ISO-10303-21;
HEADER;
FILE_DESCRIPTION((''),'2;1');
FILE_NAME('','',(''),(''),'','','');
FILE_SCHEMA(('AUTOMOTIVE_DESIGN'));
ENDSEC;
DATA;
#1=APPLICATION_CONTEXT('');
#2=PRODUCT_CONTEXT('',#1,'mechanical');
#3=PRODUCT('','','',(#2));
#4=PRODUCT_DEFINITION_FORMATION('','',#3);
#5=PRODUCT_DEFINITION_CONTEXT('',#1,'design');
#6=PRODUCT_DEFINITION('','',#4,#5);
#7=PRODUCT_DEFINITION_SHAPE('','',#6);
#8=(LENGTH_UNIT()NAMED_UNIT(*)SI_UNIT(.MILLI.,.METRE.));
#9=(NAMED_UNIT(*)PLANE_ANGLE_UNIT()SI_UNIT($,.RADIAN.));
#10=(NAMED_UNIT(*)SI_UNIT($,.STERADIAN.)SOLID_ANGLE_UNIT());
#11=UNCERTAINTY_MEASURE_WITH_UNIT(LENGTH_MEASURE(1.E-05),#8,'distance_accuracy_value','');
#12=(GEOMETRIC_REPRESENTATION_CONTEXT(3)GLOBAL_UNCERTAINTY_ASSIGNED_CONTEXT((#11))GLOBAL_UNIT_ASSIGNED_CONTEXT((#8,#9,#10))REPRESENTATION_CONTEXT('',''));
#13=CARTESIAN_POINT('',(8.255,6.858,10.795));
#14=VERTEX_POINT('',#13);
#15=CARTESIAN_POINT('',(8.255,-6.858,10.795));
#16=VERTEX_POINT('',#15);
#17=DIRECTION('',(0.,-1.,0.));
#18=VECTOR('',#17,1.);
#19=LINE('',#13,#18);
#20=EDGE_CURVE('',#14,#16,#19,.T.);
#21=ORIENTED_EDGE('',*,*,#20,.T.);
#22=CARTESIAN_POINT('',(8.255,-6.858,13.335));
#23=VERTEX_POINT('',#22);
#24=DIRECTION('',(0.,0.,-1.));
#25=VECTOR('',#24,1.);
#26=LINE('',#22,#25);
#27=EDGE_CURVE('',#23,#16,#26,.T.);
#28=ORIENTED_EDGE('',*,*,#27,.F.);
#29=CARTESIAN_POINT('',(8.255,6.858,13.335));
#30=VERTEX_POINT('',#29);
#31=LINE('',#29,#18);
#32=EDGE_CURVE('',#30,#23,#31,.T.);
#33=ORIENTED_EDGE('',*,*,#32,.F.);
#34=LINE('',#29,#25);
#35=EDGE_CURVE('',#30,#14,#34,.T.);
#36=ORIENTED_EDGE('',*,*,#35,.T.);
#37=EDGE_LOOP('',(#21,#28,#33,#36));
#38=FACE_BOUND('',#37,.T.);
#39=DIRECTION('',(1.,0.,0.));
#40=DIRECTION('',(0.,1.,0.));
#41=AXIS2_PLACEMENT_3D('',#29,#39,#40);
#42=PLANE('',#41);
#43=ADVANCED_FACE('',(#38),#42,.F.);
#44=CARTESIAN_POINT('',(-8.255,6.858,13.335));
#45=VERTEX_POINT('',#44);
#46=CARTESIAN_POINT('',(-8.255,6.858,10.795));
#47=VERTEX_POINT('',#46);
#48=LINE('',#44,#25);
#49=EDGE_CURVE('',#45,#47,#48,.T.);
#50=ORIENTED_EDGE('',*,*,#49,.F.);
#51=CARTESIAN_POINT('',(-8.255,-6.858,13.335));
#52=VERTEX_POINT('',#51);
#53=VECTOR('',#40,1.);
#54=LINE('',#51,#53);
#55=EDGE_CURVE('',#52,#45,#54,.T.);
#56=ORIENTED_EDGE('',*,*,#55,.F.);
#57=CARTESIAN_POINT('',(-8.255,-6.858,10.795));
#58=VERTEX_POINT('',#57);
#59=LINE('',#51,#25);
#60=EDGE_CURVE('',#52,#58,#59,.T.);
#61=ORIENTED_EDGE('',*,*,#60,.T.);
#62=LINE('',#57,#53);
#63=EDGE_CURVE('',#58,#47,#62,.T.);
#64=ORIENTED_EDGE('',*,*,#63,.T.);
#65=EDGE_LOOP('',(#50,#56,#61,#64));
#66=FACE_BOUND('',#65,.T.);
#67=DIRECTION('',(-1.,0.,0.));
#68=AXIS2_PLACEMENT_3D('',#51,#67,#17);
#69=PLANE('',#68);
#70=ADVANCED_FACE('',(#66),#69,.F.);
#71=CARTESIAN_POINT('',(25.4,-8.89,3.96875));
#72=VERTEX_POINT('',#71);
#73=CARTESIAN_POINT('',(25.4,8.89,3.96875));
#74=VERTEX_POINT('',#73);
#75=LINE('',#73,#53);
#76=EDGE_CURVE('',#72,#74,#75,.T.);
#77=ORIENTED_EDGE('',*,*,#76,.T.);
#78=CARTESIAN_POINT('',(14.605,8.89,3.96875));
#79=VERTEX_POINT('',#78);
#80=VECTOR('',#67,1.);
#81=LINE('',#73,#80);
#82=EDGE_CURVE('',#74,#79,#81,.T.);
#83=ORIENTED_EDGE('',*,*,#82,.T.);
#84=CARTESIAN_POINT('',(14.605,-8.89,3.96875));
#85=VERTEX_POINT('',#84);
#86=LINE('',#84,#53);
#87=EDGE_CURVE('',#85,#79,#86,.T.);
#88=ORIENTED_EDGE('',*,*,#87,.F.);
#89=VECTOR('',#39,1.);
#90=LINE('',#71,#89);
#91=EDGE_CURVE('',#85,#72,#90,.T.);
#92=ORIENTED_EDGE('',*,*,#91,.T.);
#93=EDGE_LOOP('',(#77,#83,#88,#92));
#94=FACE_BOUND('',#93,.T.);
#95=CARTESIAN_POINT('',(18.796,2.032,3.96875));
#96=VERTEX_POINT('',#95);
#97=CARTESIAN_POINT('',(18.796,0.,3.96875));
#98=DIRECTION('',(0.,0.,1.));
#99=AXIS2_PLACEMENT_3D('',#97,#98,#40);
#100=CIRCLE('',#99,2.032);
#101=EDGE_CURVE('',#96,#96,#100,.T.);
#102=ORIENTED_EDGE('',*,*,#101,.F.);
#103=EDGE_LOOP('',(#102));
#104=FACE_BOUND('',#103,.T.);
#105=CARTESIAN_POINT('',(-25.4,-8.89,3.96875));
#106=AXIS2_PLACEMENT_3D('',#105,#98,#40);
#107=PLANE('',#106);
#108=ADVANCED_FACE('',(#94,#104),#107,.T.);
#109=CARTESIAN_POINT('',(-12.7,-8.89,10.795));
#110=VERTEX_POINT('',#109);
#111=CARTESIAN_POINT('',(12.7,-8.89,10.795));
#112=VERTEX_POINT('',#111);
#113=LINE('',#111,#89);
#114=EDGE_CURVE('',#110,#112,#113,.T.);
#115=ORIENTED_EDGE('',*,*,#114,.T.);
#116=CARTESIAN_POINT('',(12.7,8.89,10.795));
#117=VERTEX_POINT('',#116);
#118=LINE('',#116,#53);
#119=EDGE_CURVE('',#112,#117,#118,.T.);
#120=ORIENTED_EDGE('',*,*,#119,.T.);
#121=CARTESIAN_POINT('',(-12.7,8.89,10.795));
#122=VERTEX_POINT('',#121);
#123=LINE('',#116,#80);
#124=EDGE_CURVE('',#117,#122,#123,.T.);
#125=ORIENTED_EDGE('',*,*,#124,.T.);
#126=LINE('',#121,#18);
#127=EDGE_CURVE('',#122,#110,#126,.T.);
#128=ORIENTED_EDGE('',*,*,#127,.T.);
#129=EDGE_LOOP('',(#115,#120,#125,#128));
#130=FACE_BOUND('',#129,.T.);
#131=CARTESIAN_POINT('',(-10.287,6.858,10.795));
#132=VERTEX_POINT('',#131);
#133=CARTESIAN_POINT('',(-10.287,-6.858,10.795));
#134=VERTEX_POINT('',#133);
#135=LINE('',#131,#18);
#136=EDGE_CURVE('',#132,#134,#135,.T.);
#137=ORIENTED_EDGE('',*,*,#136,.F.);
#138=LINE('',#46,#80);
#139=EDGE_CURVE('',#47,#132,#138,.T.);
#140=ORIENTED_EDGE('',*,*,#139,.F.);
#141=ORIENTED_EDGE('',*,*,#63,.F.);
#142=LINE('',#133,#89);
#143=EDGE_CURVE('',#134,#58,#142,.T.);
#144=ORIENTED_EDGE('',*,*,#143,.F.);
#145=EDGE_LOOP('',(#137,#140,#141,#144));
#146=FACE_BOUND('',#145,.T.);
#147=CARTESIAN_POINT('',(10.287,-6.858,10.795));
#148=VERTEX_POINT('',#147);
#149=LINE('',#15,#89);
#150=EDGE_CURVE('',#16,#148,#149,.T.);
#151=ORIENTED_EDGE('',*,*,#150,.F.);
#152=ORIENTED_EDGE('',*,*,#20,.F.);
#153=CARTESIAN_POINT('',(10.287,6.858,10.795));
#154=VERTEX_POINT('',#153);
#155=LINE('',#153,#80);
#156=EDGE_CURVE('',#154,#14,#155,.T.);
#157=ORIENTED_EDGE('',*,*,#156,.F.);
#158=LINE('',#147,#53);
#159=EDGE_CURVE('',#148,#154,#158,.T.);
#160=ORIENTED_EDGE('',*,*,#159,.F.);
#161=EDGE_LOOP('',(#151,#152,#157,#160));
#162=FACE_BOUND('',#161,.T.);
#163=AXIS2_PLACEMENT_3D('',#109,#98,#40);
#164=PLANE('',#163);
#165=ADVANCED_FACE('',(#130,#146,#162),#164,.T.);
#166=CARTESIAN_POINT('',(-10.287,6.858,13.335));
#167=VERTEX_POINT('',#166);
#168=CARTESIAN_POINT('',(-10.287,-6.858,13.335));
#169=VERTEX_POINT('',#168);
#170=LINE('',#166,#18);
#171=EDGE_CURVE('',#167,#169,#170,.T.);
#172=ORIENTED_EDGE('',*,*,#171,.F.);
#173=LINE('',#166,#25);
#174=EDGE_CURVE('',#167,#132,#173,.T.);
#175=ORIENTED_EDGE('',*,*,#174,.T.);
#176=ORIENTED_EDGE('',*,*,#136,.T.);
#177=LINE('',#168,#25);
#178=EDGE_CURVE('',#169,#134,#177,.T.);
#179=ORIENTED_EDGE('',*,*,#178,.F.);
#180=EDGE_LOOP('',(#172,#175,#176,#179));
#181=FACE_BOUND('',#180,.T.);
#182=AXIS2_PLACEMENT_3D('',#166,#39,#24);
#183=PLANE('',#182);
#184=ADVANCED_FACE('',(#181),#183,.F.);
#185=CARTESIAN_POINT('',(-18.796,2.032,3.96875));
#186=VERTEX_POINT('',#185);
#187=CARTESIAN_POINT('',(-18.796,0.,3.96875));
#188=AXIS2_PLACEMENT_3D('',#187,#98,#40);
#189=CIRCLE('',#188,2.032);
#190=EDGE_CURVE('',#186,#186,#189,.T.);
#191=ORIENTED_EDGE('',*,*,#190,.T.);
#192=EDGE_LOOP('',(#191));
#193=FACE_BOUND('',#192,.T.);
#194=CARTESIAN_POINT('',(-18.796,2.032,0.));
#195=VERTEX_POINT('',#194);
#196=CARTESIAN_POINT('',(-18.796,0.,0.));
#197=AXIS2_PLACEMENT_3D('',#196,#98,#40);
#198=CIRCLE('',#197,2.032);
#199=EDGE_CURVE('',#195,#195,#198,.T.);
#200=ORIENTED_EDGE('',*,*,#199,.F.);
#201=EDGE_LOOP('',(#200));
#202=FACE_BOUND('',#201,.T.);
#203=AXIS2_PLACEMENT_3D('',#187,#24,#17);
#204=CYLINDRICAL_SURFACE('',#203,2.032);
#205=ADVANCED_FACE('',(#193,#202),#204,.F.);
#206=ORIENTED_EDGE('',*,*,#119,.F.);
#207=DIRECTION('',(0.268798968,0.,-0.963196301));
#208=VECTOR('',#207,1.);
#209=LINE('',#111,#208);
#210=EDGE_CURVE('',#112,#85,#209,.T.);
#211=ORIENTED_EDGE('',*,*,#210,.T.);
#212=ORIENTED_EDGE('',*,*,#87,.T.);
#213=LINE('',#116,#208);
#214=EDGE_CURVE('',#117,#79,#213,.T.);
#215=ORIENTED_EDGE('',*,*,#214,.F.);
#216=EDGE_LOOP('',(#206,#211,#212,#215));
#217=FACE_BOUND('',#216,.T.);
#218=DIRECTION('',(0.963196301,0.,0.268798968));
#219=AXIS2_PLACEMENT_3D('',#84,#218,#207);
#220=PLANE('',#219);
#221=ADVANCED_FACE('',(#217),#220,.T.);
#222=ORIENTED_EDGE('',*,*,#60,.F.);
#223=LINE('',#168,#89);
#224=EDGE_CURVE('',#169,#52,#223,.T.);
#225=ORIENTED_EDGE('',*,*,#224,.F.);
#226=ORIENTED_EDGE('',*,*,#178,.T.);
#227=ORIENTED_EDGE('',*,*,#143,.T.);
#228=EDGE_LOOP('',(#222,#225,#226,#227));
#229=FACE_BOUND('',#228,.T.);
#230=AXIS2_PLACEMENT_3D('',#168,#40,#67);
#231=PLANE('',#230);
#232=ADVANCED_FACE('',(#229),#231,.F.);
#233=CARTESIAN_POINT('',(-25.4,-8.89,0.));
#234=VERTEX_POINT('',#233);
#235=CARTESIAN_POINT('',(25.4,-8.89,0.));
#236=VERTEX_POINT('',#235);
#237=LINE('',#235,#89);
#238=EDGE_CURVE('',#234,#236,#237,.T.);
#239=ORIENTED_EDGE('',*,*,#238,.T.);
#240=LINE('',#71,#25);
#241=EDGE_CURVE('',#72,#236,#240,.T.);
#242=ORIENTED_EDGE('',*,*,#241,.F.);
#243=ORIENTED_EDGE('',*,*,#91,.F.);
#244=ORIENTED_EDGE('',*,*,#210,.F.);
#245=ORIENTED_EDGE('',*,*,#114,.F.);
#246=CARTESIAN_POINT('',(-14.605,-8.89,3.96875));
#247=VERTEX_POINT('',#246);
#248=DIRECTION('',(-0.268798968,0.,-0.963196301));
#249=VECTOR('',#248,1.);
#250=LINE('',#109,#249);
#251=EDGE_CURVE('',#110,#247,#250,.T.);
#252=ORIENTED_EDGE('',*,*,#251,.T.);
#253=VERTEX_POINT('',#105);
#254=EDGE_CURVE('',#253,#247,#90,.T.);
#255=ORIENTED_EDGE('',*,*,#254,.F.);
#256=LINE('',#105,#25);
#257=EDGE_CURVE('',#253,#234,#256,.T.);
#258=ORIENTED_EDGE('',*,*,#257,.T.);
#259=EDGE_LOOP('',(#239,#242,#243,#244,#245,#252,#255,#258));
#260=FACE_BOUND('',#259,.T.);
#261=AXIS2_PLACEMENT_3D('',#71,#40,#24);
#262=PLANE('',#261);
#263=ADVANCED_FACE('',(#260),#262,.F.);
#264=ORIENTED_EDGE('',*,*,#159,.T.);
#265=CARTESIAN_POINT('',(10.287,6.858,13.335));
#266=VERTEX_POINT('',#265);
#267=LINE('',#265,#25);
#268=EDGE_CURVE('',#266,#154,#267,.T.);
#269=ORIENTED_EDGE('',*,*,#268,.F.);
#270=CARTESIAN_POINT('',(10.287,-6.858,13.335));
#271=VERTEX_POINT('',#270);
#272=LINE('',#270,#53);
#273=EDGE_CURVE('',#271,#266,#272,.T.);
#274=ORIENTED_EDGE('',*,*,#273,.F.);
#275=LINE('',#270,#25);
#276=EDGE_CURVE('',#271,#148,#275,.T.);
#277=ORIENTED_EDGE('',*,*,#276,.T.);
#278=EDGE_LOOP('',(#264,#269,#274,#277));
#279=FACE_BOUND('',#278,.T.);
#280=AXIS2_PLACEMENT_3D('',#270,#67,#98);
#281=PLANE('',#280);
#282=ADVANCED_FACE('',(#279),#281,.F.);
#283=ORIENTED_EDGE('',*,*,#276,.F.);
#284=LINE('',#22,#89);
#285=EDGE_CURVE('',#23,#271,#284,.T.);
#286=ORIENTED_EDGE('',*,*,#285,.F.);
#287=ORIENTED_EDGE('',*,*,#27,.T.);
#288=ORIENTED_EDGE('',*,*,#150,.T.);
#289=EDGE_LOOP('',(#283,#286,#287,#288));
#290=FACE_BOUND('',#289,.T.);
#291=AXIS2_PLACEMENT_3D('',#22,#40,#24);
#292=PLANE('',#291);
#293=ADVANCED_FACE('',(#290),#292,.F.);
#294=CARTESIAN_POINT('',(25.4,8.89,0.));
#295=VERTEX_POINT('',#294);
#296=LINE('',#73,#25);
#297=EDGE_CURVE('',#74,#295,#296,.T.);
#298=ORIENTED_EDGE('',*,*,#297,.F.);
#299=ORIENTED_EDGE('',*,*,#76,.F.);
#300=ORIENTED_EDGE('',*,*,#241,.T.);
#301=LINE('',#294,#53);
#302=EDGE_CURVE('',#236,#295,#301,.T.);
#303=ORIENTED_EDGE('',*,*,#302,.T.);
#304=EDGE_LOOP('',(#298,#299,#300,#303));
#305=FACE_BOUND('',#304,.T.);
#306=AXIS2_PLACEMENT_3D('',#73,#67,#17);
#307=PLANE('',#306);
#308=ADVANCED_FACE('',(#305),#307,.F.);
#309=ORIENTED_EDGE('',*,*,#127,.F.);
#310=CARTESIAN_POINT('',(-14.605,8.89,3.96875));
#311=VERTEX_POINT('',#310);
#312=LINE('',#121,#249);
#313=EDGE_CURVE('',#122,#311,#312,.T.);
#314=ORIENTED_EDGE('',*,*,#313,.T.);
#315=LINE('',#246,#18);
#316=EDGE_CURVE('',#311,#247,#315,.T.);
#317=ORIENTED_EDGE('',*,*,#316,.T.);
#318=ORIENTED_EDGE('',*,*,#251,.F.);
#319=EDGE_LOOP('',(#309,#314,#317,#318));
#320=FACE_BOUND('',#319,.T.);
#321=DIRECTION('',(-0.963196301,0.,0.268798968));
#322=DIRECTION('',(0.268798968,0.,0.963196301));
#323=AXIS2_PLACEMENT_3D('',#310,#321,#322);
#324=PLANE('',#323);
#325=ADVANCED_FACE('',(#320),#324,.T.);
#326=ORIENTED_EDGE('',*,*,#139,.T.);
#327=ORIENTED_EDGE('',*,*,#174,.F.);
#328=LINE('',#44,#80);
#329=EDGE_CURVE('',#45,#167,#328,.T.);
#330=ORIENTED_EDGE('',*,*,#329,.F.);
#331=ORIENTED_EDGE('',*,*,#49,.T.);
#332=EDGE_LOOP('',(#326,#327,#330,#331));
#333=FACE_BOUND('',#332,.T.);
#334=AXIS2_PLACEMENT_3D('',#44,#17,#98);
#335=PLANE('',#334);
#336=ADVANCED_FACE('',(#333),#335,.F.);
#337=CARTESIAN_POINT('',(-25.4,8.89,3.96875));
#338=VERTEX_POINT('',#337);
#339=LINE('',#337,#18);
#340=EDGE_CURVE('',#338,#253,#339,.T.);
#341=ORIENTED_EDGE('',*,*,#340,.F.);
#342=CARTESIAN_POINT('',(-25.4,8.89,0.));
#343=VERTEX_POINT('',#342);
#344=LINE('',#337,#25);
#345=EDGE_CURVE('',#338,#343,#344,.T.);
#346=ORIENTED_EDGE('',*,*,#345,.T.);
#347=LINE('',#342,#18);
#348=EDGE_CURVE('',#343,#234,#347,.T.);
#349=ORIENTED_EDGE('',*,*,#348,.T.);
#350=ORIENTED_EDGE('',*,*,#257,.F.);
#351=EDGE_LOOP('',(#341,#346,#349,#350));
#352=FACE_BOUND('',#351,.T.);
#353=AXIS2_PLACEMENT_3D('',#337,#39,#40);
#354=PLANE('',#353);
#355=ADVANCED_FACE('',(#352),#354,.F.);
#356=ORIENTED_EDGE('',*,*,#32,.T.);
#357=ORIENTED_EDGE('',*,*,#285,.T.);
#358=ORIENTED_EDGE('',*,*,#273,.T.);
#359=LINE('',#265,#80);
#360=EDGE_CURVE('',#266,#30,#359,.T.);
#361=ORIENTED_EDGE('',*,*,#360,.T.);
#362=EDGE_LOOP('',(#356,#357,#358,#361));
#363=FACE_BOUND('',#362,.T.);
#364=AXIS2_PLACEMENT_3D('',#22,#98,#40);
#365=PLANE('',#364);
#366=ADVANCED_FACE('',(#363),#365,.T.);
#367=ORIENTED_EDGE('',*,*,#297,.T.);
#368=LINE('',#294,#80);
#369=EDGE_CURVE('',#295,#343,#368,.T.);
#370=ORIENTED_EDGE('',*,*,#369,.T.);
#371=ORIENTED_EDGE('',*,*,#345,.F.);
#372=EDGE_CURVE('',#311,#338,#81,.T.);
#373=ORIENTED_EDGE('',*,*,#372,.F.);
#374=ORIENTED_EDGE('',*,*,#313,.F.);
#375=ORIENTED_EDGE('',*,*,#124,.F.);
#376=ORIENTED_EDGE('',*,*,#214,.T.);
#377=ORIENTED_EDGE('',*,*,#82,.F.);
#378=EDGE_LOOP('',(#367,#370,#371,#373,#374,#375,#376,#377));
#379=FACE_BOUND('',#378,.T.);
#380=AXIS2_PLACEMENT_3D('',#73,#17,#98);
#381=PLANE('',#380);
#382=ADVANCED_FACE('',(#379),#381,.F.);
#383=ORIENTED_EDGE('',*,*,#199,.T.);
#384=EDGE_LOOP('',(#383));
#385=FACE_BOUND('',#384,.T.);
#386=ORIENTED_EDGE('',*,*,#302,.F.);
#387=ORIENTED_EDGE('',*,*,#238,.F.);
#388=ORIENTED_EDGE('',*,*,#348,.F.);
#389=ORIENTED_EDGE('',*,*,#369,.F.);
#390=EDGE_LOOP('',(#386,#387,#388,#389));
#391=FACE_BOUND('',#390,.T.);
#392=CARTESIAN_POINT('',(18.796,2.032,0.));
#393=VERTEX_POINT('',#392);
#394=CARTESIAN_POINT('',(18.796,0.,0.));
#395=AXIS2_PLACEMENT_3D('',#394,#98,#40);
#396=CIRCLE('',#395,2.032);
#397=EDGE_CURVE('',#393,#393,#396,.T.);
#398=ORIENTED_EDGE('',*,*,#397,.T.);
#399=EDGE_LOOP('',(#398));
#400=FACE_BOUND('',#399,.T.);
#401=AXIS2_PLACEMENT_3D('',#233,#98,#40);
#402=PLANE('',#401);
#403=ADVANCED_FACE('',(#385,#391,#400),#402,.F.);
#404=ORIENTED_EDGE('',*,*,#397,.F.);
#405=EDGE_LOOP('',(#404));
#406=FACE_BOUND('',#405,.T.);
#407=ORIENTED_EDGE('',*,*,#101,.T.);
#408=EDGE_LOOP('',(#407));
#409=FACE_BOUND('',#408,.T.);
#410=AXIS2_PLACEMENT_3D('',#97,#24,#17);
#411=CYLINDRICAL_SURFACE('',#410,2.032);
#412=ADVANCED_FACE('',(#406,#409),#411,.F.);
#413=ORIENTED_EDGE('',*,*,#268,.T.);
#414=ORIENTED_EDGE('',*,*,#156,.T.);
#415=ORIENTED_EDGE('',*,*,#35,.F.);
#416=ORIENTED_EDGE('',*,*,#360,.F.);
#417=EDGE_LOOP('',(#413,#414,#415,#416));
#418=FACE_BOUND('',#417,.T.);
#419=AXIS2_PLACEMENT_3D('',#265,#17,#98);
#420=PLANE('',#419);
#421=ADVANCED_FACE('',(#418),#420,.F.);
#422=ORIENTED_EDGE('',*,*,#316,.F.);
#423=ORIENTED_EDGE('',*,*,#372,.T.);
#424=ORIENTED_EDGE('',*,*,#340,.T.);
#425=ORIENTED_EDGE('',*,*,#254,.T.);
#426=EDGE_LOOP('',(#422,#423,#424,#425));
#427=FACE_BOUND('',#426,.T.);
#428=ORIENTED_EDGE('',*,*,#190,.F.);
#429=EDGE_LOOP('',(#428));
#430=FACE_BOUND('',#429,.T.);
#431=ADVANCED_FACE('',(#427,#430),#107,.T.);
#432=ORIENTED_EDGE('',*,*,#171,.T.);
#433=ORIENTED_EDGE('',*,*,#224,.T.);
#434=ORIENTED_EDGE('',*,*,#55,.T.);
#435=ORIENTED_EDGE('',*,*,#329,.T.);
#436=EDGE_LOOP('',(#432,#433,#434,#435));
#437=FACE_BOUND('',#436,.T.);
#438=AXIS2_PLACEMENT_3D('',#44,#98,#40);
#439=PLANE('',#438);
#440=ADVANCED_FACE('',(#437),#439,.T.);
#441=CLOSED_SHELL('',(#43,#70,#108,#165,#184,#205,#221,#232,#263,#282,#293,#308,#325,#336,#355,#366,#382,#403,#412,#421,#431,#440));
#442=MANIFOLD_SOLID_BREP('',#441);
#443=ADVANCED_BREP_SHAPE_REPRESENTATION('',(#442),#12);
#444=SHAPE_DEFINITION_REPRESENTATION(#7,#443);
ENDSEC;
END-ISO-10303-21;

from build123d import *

# Parameters (mm, degrees)
SKETCH1_W             = 17.78
SKETCH1_H             = 50.8
SKETCH1_R             = 2.032
BOSS_EXTRUDE1_DEPTH   = 3.96875
SKETCH3_W             = 17.78
SKETCH3_H             = 25.4
SKETCH2_W             = 17.78
SKETCH2_H             = 29.21
SKETCH4_W             = 13.716
SKETCH4_H             = 2.032
BOSS_EXTRUDE2_DEPTH   = 2.54
EXTRUDE_THIN1_DEPTH   = 14.2875
FILLET1_R             = 2.54
CUT_EXTRUDE1_DEPTH    = 0.9525
SKETCH8_R             = 1.27
CUT_EXTRUDE2_DEPTH    = 0.9525
BODY_MOVE_COPY3_ANGLE = 90


with BuildPart() as part:
    # Sketch1 → Boss-Extrude1 (new body)
    with BuildSketch(Plane.XY):
        Rectangle(SKETCH1_W, SKETCH1_H)
        with Locations((0, 18.796)):
            Circle(SKETCH1_R, mode=Mode.SUBTRACT)
        with Locations((0, -18.796)):
            Circle(SKETCH1_R, mode=Mode.SUBTRACT)
    extrude(amount=BOSS_EXTRUDE1_DEPTH)

    # Sketch3 → Loft1 section 0
    with BuildSketch(Plane.XY.offset(10.795)):
        Rectangle(SKETCH3_W, SKETCH3_H)
    # Sketch2 → Loft1 section 1
    with BuildSketch(Plane.XY.offset(3.96875)):
        Rectangle(SKETCH2_W, SKETCH2_H)
    loft()

    # Sketch4 → Boss-Extrude2 (add)
    with BuildSketch(Plane.XY.offset(10.795)):
        with Locations((0, 9.271)):
            Rectangle(SKETCH4_W, SKETCH4_H)
        with Locations((0, -9.271)):
            Rectangle(SKETCH4_W, SKETCH4_H)
    extrude(amount=BOSS_EXTRUDE2_DEPTH)


with BuildPart() as body_2:
    # Sketch6 → Extrude-Thin1 (new body, symmetric)
    with BuildSketch(Plane(origin=(0, 0, 0), x_dir=(1, 0, 0), z_dir=(0, 1, 0))):
        with BuildLine():
            Line((9.525, -13.335), (-6.985, -13.335))
            ThreePointArc((-6.985, -13.335), (-8.781051224, -14.078948776), (-9.525, -15.875))
            Line((-9.525, -15.875), (-9.525, -31.877))
            Line((-9.525, -31.877), (-8.5725, -31.877))
            Line((-8.5725, -31.877), (-8.5725, -15.875))
            ThreePointArc((-8.5725, -15.875), (-8.107532015, -14.752467985), (-6.985, -14.2875))
            Line((-6.985, -14.2875), (9.525, -14.2875))
            Line((9.525, -14.2875), (9.525, -13.335))
        make_face()
    extrude(amount=EXTRUDE_THIN1_DEPTH, both=True)

    # Fillet1
    fillet1_edges = [body_2.edges().sort_by_distance(p)[0] for p in [
        (9.525, 14.2875, 13.81125),
        (-9.04875, 14.2875, 31.877),
        (9.525, -14.2875, 13.81125),
        (-9.04875, -14.2875, 31.877),
    ]]
    fillet(fillet1_edges, radius=FILLET1_R)

    # Sketch7 → Cut-Extrude1 (cut)
    with BuildSketch(Plane.ZY.offset(9.525)):
        with BuildLine():
            Line((19.304, 11.303), (25.273, 11.303))
            ThreePointArc((25.273, 11.303), (27.051, 9.525), (25.273, 7.747))
            Line((25.273, 7.747), (19.304, 7.747))
            ThreePointArc((19.304, 7.747), (17.526, 9.525), (19.304, 11.303))
        make_face()
        with BuildLine():
            Line((19.304, -7.747), (25.273, -7.747))
            ThreePointArc((25.273, -7.747), (27.051, -9.525), (25.273, -11.303))
            Line((25.273, -11.303), (19.304, -11.303))
            ThreePointArc((19.304, -11.303), (17.526, -9.525), (19.304, -7.747))
        make_face()
    extrude(amount=-CUT_EXTRUDE1_DEPTH, mode=Mode.SUBTRACT)

    # Sketch8 → Cut-Extrude2 (cut)
    with BuildSketch(Plane(origin=(-8.5725, 0, 0), x_dir=(0, 0, -1), z_dir=(1, 0, 0))):
        with Locations((-29.083, 0)):
            Circle(SKETCH8_R)
    extrude(amount=-CUT_EXTRUDE2_DEPTH, mode=Mode.SUBTRACT)


with BuildPart() as body_2_1:
    # Body-Move/Copy1: moved
    add(body_2.part.moved(Location((0, 0, 25.4))))


with BuildPart() as part_1:
    # Body-Move/Copy3: moved
    add(part.part.rotate(Axis((0, 0, 0), (0, 0, 1)), BODY_MOVE_COPY3_ANGLE))


solid = part_1.part
